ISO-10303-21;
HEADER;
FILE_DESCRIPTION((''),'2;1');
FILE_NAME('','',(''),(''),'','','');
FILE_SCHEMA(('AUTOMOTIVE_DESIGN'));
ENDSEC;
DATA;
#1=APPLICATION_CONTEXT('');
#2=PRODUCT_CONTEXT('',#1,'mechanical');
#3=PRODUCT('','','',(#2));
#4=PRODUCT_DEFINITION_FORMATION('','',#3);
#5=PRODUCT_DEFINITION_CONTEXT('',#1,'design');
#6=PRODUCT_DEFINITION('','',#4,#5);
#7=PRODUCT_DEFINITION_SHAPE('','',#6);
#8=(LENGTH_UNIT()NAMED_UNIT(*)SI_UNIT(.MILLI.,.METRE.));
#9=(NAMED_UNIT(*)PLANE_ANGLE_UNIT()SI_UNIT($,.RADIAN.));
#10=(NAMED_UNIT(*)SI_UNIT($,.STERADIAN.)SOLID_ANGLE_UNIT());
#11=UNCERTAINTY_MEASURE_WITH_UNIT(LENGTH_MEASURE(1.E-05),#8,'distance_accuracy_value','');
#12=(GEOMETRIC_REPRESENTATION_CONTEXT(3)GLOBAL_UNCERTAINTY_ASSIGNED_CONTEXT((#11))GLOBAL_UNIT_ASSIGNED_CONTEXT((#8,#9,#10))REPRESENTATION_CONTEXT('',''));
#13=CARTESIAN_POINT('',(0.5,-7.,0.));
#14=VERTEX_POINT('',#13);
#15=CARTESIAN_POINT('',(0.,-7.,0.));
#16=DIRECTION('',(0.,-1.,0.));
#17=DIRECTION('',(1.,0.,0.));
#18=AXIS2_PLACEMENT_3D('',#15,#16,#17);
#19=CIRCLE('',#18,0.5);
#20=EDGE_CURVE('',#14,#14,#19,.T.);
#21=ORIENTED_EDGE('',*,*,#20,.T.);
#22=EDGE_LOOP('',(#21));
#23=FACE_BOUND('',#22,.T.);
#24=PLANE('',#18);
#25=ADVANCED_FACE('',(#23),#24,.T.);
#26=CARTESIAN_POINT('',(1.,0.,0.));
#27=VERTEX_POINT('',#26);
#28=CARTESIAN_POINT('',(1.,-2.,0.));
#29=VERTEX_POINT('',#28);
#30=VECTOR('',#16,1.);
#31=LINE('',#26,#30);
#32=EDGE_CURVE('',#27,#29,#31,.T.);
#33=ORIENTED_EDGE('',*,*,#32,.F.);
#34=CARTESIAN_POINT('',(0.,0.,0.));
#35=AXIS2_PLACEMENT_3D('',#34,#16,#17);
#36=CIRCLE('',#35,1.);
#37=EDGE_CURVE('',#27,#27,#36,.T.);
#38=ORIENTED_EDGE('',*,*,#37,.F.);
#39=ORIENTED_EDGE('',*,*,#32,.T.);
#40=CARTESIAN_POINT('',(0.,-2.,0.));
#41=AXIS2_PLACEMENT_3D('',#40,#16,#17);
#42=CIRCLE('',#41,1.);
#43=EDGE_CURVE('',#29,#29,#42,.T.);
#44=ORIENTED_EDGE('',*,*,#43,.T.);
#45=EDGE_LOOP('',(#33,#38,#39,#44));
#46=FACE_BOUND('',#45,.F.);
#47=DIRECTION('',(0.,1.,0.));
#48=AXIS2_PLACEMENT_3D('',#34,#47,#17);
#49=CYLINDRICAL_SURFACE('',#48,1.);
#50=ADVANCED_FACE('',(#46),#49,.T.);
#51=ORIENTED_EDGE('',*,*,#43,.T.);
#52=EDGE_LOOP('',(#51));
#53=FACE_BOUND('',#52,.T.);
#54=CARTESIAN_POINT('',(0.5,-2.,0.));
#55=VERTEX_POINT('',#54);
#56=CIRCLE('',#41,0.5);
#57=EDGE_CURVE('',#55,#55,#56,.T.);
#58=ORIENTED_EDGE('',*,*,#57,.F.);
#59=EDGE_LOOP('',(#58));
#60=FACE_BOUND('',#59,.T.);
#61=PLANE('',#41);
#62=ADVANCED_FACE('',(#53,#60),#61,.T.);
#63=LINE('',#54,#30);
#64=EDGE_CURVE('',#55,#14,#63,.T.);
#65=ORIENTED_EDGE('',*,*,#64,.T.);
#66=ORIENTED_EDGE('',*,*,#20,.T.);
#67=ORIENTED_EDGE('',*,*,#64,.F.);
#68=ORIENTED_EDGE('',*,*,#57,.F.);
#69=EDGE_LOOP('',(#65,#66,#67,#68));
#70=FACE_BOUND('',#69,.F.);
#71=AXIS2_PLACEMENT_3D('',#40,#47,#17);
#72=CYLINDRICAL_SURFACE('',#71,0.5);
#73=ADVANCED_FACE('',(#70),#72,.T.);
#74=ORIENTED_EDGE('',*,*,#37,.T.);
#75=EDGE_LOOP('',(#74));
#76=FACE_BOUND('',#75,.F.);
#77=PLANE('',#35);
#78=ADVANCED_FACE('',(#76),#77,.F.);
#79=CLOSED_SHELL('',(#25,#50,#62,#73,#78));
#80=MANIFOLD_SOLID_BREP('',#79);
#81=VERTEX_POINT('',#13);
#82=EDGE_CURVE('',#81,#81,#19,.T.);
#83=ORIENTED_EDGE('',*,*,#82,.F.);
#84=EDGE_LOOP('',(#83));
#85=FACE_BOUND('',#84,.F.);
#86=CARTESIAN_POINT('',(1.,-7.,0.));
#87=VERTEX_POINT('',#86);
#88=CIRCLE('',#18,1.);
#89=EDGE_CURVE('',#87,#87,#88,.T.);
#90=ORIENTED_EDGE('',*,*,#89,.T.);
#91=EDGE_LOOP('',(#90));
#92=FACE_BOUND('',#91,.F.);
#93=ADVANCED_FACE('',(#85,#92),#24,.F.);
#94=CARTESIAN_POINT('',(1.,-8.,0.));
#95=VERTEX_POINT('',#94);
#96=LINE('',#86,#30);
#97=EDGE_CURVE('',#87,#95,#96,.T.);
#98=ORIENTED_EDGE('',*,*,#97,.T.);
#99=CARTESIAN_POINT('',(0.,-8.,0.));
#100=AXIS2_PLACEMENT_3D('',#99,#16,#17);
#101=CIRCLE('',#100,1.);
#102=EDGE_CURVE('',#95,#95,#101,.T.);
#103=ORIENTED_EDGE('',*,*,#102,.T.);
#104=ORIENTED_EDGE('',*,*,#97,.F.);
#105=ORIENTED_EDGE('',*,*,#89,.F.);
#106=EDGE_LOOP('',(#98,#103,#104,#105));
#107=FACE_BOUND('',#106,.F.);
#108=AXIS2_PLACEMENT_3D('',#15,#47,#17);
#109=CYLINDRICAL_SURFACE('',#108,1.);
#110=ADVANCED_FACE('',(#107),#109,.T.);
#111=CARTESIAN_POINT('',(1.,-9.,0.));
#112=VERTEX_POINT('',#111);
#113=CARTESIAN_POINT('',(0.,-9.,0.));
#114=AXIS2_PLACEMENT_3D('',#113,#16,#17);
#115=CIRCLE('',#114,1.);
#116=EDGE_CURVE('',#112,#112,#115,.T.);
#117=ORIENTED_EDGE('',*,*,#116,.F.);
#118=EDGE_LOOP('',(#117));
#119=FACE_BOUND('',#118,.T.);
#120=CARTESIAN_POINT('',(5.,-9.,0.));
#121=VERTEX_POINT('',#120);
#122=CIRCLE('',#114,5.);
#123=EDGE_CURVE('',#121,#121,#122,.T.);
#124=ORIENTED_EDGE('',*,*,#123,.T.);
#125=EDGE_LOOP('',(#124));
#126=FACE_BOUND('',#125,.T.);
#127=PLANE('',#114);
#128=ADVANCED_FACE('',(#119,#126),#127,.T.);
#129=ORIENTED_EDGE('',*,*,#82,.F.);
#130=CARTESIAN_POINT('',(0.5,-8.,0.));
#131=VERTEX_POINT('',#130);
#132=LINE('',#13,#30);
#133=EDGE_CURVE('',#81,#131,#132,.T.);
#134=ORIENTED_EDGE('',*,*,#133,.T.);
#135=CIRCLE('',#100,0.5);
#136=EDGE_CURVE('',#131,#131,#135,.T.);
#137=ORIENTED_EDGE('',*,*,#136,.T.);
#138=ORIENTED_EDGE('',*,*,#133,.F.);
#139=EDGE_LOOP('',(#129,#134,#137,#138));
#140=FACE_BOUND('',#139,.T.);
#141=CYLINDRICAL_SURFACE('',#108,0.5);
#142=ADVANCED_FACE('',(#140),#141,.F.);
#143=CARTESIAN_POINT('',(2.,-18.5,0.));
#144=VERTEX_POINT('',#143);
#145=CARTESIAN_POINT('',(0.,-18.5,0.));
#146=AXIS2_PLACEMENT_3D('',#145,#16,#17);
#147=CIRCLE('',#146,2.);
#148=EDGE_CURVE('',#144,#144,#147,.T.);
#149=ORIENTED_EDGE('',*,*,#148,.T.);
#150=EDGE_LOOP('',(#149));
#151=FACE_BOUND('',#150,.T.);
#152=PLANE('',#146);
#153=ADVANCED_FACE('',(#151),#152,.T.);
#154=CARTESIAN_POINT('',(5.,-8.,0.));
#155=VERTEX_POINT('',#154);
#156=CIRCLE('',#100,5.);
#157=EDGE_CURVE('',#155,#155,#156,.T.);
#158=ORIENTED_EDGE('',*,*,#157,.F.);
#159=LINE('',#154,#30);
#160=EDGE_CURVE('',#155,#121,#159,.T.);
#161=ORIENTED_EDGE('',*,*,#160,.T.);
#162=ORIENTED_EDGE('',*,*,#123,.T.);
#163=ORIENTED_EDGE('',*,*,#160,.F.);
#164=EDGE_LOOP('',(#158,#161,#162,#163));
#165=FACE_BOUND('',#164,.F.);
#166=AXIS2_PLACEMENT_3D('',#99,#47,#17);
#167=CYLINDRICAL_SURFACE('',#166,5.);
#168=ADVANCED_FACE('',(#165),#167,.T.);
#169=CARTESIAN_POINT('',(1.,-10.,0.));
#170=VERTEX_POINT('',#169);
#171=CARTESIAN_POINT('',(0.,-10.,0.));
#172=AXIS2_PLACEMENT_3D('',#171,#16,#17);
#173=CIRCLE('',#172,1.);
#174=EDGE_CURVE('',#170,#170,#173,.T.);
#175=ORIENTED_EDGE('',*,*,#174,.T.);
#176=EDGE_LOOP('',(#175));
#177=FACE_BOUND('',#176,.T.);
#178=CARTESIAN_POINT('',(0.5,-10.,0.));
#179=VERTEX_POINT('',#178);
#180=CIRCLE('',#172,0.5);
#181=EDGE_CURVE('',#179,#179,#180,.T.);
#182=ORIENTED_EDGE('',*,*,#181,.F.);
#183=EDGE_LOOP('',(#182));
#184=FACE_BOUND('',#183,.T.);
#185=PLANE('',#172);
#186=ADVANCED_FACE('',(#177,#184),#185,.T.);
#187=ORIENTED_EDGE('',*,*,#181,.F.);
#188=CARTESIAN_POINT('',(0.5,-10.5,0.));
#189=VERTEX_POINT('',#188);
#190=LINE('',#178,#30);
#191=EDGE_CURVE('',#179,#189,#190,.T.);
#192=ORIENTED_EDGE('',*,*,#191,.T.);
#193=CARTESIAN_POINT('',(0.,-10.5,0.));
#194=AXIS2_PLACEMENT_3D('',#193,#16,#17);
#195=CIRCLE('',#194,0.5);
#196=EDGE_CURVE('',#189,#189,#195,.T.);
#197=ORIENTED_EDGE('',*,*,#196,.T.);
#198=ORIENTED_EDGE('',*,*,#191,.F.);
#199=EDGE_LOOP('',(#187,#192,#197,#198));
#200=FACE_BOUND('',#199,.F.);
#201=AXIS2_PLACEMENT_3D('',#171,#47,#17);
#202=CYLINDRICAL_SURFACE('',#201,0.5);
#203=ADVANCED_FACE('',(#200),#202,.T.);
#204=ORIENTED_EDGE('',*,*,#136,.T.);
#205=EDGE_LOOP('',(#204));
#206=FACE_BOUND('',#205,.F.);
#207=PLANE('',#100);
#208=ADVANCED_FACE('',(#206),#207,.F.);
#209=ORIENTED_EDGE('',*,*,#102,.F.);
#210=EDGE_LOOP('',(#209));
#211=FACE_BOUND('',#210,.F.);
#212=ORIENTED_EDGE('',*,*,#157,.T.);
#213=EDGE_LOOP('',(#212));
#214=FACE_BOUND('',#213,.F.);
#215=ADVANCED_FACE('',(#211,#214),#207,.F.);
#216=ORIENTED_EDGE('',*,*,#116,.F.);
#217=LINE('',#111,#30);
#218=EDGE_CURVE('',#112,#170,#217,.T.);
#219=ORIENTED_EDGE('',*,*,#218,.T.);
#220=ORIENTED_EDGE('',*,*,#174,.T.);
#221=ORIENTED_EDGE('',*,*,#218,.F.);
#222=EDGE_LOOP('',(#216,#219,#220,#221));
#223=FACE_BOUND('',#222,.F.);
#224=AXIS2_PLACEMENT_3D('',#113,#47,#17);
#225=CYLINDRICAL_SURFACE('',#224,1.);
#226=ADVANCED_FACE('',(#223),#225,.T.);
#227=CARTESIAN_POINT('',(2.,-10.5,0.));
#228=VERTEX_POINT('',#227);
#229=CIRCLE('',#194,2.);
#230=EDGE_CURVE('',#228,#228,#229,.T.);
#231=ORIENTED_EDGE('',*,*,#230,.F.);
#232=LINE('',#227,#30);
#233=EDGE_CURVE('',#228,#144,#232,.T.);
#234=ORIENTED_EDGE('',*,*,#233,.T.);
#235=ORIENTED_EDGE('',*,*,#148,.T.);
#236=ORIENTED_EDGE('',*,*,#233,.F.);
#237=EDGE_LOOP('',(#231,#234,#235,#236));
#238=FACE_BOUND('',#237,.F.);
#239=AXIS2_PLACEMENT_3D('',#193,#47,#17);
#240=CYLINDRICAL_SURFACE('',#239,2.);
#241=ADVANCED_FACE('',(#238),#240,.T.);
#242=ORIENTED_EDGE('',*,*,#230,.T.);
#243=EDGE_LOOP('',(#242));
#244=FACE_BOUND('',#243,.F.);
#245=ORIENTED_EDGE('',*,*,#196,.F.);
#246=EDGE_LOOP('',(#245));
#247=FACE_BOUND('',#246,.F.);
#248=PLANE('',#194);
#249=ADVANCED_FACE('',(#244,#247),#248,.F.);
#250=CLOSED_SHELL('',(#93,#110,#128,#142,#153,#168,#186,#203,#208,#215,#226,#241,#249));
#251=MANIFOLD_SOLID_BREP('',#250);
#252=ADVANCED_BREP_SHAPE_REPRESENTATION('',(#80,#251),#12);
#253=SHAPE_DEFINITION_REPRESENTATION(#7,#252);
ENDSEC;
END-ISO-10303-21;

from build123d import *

# Parameters (mm, degrees)
F0_R      = 1
F1_DEPTH  = 2
F2_R      = 0.5
F3_DEPTH  = 5
F4_R      = 1
F4_R_2    = 0.5
F5_DEPTH  = 1
F6_R      = 5
F7_DEPTH  = 1
F8_R      = 1
F9_DEPTH  = 1
F10_R     = 0.5
F11_DEPTH = 0.5
F12_R     = 2
F13_DEPTH = 8


with BuildPart() as f1:
    # F0 (on Front) → F1 (new body)
    with BuildSketch(Plane.XZ):
        Circle(F0_R)
    extrude(amount=F1_DEPTH)

    # F2 (on face) → F3 (join)
    with BuildSketch(Plane.XZ.offset(2)):
        Circle(F2_R)
    extrude(amount=F3_DEPTH)


with BuildPart() as f5:
    # F4 (on face) → F5 (new body)
    with BuildSketch(Plane.XZ.offset(7)):
        Circle(F4_R)
        Circle(F4_R_2, mode=Mode.SUBTRACT)
    extrude(amount=F5_DEPTH)

    # F6 (on face) → F7 (join)
    with BuildSketch(Plane.XZ.offset(8)):
        Circle(F6_R)
    extrude(amount=F7_DEPTH)

    # F8 (on face) → F9 (join)
    with BuildSketch(Plane.XZ.offset(9)):
        Circle(F8_R)
    extrude(amount=F9_DEPTH)

    # F10 (on face) → F11 (join)
    with BuildSketch(Plane.XZ.offset(10)):
        Circle(F10_R)
    extrude(amount=F11_DEPTH)

    # F12 (on face) → F13 (join)
    with BuildSketch(Plane.XZ.offset(10.5)):
        Circle(F12_R)
    extrude(amount=F13_DEPTH)


solid = Compound([f1.part, f5.part])
